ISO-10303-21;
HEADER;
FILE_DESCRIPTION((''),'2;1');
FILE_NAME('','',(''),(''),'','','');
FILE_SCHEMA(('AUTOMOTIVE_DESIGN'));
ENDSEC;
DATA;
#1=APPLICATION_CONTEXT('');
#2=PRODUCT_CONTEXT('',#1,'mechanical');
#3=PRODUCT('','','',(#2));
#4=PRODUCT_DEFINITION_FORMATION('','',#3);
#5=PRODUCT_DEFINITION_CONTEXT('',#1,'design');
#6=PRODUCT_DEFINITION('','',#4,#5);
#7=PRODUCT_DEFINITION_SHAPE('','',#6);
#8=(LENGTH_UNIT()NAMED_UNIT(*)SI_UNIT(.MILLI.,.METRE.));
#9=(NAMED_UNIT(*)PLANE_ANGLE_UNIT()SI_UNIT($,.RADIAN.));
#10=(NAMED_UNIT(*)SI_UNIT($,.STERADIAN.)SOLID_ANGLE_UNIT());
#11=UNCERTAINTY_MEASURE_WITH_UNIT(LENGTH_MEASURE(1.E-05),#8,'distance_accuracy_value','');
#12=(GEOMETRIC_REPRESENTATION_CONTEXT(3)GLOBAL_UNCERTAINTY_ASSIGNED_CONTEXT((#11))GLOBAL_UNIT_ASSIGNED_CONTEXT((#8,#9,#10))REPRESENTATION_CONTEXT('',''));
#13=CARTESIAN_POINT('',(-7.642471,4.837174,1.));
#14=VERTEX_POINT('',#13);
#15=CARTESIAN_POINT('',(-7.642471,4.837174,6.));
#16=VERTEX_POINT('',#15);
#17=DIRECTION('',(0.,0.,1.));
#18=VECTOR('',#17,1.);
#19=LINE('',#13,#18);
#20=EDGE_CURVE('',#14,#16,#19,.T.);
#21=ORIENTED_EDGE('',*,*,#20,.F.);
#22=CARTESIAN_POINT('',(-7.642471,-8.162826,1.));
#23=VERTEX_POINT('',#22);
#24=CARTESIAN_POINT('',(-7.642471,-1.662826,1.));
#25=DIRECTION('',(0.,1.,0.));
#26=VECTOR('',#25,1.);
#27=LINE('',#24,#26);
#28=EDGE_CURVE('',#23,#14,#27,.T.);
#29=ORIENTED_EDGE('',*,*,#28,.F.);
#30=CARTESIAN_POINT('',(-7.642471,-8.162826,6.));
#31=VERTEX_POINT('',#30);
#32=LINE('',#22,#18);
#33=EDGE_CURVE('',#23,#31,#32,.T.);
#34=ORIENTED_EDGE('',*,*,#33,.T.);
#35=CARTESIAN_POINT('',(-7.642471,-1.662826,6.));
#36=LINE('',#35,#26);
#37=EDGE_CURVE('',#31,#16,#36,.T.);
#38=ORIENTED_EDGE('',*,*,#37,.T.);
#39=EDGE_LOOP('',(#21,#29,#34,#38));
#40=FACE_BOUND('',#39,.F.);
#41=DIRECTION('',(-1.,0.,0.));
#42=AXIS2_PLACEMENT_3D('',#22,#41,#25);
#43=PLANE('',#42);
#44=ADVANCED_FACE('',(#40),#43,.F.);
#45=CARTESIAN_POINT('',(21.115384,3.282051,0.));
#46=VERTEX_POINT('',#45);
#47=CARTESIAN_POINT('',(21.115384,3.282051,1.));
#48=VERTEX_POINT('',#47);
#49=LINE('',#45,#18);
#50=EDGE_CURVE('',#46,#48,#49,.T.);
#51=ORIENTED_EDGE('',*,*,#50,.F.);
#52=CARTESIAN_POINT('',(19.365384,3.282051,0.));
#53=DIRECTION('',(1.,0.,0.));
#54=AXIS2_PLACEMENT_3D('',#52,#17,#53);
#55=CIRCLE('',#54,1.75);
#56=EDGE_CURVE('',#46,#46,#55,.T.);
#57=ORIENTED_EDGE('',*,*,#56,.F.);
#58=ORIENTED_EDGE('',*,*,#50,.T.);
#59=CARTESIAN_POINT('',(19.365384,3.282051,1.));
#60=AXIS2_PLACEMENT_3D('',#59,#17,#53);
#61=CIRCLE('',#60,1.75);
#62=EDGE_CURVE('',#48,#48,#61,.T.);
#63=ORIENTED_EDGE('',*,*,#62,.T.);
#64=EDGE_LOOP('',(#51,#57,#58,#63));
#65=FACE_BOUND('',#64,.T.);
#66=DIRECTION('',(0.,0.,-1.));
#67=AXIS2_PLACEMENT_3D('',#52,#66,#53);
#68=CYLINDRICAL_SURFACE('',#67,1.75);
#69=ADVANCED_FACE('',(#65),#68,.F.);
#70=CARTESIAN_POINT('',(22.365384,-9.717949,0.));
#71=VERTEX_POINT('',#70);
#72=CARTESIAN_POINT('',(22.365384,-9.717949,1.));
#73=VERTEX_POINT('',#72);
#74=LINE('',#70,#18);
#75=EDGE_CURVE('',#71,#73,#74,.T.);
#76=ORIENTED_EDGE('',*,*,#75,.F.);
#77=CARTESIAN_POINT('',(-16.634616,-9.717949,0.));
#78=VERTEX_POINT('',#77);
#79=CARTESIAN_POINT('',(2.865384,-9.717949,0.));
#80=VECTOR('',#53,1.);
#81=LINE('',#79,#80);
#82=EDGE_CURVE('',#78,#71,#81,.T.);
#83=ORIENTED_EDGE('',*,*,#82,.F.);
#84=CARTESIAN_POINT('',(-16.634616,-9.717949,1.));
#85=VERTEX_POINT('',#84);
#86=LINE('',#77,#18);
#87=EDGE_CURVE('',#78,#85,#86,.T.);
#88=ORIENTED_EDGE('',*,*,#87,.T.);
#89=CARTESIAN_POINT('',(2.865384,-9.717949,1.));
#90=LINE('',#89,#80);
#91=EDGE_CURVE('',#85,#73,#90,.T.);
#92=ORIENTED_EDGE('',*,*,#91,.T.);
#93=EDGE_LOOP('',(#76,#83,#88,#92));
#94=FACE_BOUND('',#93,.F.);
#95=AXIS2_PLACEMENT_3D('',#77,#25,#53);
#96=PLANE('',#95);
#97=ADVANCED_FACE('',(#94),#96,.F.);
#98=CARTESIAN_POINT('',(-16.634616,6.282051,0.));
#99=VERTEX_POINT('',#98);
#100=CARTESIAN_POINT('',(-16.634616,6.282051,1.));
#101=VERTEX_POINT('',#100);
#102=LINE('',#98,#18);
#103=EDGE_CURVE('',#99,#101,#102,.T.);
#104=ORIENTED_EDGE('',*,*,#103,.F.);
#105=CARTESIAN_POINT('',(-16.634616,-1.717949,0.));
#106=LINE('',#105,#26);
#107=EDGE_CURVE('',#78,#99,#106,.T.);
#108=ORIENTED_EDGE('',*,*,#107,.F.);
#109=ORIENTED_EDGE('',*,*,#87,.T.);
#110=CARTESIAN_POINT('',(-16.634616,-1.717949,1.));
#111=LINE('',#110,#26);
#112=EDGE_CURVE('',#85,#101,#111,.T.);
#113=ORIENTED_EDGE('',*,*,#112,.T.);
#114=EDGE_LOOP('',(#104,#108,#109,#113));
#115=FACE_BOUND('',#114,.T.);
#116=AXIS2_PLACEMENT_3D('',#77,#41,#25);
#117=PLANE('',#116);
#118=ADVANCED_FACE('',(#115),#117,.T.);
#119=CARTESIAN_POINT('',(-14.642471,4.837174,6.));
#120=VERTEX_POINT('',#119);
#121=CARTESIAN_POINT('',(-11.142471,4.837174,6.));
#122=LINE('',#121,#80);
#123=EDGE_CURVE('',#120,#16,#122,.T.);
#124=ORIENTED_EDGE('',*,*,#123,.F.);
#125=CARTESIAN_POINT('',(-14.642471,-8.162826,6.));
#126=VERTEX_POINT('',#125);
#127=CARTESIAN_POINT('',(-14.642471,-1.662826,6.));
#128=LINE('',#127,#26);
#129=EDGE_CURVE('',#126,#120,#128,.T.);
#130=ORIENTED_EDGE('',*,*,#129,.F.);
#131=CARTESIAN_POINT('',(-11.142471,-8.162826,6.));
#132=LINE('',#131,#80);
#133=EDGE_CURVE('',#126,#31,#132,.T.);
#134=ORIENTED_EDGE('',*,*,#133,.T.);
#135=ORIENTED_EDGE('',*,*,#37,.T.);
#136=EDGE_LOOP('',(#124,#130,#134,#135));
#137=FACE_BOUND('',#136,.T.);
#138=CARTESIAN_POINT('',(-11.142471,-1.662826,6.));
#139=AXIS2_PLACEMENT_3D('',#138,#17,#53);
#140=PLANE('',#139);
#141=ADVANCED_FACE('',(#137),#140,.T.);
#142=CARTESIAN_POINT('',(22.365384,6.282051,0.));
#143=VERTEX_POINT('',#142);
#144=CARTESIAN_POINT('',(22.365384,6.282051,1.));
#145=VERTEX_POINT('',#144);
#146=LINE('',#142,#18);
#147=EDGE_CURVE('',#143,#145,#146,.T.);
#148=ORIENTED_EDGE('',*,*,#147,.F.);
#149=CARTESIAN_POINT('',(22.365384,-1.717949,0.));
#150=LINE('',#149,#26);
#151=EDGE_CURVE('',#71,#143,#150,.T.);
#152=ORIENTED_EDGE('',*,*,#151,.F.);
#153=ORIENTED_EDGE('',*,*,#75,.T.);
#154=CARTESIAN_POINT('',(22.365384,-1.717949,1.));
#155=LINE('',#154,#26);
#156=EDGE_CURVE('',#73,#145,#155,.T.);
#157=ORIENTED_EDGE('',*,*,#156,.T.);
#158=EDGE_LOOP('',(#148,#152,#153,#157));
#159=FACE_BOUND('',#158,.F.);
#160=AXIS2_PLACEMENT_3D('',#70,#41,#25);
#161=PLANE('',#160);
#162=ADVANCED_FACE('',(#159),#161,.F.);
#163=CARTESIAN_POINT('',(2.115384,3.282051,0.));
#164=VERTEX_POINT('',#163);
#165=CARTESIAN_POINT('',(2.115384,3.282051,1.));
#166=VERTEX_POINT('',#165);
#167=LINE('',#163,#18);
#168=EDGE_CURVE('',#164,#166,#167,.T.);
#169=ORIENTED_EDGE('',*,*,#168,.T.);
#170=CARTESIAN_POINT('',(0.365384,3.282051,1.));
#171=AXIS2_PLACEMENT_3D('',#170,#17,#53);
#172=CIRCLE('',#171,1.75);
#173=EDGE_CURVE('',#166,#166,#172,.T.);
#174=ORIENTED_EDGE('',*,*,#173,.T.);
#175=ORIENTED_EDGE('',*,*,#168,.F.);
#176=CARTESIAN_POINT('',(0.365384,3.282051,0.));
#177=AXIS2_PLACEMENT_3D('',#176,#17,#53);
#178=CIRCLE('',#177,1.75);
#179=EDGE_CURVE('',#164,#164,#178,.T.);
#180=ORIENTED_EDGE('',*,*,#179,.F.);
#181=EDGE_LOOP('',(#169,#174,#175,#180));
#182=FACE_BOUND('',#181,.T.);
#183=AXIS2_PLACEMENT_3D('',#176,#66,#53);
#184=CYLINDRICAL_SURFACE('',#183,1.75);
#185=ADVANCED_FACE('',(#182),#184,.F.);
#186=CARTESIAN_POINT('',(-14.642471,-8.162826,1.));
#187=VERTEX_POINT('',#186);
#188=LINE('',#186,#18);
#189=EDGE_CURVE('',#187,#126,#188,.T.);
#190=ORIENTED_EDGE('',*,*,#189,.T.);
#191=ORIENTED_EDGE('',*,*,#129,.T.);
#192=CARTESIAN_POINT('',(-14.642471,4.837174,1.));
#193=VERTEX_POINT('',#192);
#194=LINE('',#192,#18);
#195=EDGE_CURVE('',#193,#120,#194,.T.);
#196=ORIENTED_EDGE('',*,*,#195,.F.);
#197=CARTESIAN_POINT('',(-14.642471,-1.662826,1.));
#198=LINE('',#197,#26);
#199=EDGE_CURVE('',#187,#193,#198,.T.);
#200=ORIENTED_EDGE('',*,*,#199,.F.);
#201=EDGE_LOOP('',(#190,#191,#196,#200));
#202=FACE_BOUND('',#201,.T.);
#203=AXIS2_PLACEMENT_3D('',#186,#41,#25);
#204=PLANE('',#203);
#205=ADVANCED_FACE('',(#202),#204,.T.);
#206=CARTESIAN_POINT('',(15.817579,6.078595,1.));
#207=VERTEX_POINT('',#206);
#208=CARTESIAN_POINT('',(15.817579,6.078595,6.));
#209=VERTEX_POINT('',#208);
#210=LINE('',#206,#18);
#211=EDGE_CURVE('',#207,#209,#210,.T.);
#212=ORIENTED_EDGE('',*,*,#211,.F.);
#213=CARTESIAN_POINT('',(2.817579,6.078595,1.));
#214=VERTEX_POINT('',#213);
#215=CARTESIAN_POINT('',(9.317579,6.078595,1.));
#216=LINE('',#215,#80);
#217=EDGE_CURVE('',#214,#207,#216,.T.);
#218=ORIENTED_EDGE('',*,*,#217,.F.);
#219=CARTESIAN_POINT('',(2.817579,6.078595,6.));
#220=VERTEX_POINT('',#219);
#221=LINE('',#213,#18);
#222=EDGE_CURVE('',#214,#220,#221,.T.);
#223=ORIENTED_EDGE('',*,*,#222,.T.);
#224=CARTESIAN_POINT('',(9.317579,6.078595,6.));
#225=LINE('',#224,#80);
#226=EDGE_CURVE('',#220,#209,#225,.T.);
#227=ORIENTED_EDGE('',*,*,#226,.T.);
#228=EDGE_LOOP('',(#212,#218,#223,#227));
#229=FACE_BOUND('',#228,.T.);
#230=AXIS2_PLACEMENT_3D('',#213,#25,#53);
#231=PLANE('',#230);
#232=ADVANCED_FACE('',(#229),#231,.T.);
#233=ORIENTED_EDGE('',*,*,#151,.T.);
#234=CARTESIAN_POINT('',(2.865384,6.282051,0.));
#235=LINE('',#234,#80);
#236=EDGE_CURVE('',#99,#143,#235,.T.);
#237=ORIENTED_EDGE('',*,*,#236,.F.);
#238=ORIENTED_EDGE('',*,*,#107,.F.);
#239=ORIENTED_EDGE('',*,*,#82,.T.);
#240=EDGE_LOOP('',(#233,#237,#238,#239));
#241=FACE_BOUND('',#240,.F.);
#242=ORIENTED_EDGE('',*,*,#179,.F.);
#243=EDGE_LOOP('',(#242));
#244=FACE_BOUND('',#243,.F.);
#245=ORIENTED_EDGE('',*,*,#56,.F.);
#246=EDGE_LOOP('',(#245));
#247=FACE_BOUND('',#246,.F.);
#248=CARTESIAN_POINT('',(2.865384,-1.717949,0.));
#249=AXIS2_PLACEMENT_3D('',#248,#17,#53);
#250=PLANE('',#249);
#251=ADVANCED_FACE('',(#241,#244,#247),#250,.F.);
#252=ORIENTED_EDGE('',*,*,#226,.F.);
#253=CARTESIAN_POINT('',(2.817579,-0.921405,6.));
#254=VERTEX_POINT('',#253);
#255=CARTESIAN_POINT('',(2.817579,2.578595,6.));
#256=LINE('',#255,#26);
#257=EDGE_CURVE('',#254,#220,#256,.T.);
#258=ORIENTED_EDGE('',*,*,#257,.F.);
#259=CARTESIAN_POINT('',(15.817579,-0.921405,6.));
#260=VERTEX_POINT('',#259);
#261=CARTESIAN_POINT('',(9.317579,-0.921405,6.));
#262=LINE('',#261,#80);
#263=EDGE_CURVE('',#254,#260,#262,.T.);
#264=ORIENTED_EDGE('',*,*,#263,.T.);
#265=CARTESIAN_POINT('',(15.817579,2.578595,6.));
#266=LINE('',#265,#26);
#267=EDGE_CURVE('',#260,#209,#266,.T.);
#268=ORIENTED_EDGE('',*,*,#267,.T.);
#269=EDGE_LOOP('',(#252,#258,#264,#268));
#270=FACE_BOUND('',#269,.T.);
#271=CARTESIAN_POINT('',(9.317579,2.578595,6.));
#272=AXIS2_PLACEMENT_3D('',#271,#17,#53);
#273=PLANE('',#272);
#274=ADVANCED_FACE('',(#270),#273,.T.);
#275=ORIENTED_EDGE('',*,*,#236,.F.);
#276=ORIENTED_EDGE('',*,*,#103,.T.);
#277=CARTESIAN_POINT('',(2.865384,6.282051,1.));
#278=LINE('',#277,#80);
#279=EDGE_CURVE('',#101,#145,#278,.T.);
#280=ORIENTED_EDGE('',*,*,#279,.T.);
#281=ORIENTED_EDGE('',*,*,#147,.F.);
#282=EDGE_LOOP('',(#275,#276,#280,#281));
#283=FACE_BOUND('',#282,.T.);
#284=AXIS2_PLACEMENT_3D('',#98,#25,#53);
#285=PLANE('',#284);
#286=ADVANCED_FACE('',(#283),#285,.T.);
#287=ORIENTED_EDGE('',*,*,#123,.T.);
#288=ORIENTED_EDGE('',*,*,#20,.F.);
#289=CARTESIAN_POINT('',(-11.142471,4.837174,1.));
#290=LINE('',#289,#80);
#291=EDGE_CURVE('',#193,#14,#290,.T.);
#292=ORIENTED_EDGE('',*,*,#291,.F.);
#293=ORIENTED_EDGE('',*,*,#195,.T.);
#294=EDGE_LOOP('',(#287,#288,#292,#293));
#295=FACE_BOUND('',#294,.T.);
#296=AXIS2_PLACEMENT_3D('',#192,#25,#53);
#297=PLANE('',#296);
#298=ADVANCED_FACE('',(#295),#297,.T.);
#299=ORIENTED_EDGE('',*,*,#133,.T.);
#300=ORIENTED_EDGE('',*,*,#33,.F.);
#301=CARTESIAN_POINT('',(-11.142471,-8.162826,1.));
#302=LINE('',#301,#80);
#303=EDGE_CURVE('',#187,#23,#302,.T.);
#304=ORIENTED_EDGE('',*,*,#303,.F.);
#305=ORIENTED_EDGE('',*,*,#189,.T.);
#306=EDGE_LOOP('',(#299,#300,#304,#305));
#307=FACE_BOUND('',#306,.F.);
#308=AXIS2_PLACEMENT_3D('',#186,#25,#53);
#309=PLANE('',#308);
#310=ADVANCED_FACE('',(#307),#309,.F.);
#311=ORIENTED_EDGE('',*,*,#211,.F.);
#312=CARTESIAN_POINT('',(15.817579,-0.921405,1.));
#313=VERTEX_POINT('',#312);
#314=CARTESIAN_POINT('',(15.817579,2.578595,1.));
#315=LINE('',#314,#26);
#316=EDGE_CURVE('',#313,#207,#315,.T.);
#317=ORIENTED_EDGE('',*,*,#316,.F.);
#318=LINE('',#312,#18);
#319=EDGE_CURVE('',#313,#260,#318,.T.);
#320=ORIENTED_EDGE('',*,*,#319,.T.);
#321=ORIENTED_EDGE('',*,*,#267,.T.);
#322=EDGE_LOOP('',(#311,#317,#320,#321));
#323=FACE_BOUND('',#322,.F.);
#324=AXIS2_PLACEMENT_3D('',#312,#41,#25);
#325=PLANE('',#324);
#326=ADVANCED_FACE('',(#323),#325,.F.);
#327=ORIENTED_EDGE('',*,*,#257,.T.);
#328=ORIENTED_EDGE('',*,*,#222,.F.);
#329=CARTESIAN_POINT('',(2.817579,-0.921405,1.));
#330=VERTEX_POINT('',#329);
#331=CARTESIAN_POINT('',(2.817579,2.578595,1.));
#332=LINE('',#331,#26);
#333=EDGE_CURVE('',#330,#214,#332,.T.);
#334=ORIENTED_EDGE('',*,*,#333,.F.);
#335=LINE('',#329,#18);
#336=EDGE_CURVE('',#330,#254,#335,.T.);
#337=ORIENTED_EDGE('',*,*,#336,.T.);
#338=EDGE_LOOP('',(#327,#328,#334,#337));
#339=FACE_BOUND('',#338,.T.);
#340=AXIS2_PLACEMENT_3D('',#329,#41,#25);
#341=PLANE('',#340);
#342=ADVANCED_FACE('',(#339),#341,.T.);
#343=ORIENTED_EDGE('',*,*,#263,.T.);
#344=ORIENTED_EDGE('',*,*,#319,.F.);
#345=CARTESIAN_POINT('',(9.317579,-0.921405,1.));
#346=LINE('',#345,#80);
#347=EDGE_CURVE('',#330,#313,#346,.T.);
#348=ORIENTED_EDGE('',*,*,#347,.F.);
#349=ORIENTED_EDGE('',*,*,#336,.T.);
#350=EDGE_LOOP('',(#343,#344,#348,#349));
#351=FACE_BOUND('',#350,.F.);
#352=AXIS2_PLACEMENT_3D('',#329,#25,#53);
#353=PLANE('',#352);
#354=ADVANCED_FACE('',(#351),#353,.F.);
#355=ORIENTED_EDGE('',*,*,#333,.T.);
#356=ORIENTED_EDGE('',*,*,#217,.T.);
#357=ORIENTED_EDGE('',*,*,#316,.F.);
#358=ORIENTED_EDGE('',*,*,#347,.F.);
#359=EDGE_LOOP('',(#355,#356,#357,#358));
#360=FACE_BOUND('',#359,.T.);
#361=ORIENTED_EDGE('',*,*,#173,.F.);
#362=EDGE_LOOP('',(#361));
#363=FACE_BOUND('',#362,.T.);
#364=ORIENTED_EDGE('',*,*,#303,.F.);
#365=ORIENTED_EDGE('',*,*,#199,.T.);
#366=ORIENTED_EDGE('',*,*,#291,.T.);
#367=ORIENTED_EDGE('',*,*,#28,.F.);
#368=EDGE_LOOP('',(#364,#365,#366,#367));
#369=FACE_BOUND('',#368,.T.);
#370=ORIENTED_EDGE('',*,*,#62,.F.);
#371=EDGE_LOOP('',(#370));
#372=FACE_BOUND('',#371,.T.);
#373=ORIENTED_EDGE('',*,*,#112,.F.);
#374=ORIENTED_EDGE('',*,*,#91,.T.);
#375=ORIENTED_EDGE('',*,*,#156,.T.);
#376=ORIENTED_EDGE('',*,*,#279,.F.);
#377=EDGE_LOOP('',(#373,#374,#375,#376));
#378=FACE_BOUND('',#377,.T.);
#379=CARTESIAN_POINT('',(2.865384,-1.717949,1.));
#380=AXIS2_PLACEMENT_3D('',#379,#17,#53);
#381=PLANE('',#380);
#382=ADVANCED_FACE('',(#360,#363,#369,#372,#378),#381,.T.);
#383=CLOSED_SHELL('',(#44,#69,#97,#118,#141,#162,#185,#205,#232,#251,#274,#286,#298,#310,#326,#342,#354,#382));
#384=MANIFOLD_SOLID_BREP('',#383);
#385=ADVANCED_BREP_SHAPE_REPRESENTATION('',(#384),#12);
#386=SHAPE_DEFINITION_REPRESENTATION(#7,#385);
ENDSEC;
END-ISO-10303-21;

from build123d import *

# Parameters (mm, degrees)
F0_W     = 39
F0_H     = 16
F0_R     = 1.75
F1_DEPTH = 1
F2_W     = 13
F2_H     = 7
F2_W_2   = 7
F2_H_2   = 13
F3_DEPTH = 5


with BuildPart() as f1:
    # F0 (on Top) → F1 (new body)
    with BuildSketch(Plane.XY):
        with Locations((2.865384, -1.717949)):
            Rectangle(F0_W, F0_H)
        with Locations((0.365384, 3.282051)):
            Circle(F0_R, mode=Mode.SUBTRACT)
        with Locations((19.365384, 3.282051)):
            Circle(F0_R, mode=Mode.SUBTRACT)
    extrude(amount=F1_DEPTH)

    # F2 (on face) → F3 (join)
    with BuildSketch(Plane.XY.offset(1)):
        with Locations((9.317579, 2.578595)):
            Rectangle(F2_W, F2_H)
        with Locations((-11.142471, -1.662826)):
            Rectangle(F2_W_2, F2_H_2)
    extrude(amount=F3_DEPTH)


solid = f1.part
